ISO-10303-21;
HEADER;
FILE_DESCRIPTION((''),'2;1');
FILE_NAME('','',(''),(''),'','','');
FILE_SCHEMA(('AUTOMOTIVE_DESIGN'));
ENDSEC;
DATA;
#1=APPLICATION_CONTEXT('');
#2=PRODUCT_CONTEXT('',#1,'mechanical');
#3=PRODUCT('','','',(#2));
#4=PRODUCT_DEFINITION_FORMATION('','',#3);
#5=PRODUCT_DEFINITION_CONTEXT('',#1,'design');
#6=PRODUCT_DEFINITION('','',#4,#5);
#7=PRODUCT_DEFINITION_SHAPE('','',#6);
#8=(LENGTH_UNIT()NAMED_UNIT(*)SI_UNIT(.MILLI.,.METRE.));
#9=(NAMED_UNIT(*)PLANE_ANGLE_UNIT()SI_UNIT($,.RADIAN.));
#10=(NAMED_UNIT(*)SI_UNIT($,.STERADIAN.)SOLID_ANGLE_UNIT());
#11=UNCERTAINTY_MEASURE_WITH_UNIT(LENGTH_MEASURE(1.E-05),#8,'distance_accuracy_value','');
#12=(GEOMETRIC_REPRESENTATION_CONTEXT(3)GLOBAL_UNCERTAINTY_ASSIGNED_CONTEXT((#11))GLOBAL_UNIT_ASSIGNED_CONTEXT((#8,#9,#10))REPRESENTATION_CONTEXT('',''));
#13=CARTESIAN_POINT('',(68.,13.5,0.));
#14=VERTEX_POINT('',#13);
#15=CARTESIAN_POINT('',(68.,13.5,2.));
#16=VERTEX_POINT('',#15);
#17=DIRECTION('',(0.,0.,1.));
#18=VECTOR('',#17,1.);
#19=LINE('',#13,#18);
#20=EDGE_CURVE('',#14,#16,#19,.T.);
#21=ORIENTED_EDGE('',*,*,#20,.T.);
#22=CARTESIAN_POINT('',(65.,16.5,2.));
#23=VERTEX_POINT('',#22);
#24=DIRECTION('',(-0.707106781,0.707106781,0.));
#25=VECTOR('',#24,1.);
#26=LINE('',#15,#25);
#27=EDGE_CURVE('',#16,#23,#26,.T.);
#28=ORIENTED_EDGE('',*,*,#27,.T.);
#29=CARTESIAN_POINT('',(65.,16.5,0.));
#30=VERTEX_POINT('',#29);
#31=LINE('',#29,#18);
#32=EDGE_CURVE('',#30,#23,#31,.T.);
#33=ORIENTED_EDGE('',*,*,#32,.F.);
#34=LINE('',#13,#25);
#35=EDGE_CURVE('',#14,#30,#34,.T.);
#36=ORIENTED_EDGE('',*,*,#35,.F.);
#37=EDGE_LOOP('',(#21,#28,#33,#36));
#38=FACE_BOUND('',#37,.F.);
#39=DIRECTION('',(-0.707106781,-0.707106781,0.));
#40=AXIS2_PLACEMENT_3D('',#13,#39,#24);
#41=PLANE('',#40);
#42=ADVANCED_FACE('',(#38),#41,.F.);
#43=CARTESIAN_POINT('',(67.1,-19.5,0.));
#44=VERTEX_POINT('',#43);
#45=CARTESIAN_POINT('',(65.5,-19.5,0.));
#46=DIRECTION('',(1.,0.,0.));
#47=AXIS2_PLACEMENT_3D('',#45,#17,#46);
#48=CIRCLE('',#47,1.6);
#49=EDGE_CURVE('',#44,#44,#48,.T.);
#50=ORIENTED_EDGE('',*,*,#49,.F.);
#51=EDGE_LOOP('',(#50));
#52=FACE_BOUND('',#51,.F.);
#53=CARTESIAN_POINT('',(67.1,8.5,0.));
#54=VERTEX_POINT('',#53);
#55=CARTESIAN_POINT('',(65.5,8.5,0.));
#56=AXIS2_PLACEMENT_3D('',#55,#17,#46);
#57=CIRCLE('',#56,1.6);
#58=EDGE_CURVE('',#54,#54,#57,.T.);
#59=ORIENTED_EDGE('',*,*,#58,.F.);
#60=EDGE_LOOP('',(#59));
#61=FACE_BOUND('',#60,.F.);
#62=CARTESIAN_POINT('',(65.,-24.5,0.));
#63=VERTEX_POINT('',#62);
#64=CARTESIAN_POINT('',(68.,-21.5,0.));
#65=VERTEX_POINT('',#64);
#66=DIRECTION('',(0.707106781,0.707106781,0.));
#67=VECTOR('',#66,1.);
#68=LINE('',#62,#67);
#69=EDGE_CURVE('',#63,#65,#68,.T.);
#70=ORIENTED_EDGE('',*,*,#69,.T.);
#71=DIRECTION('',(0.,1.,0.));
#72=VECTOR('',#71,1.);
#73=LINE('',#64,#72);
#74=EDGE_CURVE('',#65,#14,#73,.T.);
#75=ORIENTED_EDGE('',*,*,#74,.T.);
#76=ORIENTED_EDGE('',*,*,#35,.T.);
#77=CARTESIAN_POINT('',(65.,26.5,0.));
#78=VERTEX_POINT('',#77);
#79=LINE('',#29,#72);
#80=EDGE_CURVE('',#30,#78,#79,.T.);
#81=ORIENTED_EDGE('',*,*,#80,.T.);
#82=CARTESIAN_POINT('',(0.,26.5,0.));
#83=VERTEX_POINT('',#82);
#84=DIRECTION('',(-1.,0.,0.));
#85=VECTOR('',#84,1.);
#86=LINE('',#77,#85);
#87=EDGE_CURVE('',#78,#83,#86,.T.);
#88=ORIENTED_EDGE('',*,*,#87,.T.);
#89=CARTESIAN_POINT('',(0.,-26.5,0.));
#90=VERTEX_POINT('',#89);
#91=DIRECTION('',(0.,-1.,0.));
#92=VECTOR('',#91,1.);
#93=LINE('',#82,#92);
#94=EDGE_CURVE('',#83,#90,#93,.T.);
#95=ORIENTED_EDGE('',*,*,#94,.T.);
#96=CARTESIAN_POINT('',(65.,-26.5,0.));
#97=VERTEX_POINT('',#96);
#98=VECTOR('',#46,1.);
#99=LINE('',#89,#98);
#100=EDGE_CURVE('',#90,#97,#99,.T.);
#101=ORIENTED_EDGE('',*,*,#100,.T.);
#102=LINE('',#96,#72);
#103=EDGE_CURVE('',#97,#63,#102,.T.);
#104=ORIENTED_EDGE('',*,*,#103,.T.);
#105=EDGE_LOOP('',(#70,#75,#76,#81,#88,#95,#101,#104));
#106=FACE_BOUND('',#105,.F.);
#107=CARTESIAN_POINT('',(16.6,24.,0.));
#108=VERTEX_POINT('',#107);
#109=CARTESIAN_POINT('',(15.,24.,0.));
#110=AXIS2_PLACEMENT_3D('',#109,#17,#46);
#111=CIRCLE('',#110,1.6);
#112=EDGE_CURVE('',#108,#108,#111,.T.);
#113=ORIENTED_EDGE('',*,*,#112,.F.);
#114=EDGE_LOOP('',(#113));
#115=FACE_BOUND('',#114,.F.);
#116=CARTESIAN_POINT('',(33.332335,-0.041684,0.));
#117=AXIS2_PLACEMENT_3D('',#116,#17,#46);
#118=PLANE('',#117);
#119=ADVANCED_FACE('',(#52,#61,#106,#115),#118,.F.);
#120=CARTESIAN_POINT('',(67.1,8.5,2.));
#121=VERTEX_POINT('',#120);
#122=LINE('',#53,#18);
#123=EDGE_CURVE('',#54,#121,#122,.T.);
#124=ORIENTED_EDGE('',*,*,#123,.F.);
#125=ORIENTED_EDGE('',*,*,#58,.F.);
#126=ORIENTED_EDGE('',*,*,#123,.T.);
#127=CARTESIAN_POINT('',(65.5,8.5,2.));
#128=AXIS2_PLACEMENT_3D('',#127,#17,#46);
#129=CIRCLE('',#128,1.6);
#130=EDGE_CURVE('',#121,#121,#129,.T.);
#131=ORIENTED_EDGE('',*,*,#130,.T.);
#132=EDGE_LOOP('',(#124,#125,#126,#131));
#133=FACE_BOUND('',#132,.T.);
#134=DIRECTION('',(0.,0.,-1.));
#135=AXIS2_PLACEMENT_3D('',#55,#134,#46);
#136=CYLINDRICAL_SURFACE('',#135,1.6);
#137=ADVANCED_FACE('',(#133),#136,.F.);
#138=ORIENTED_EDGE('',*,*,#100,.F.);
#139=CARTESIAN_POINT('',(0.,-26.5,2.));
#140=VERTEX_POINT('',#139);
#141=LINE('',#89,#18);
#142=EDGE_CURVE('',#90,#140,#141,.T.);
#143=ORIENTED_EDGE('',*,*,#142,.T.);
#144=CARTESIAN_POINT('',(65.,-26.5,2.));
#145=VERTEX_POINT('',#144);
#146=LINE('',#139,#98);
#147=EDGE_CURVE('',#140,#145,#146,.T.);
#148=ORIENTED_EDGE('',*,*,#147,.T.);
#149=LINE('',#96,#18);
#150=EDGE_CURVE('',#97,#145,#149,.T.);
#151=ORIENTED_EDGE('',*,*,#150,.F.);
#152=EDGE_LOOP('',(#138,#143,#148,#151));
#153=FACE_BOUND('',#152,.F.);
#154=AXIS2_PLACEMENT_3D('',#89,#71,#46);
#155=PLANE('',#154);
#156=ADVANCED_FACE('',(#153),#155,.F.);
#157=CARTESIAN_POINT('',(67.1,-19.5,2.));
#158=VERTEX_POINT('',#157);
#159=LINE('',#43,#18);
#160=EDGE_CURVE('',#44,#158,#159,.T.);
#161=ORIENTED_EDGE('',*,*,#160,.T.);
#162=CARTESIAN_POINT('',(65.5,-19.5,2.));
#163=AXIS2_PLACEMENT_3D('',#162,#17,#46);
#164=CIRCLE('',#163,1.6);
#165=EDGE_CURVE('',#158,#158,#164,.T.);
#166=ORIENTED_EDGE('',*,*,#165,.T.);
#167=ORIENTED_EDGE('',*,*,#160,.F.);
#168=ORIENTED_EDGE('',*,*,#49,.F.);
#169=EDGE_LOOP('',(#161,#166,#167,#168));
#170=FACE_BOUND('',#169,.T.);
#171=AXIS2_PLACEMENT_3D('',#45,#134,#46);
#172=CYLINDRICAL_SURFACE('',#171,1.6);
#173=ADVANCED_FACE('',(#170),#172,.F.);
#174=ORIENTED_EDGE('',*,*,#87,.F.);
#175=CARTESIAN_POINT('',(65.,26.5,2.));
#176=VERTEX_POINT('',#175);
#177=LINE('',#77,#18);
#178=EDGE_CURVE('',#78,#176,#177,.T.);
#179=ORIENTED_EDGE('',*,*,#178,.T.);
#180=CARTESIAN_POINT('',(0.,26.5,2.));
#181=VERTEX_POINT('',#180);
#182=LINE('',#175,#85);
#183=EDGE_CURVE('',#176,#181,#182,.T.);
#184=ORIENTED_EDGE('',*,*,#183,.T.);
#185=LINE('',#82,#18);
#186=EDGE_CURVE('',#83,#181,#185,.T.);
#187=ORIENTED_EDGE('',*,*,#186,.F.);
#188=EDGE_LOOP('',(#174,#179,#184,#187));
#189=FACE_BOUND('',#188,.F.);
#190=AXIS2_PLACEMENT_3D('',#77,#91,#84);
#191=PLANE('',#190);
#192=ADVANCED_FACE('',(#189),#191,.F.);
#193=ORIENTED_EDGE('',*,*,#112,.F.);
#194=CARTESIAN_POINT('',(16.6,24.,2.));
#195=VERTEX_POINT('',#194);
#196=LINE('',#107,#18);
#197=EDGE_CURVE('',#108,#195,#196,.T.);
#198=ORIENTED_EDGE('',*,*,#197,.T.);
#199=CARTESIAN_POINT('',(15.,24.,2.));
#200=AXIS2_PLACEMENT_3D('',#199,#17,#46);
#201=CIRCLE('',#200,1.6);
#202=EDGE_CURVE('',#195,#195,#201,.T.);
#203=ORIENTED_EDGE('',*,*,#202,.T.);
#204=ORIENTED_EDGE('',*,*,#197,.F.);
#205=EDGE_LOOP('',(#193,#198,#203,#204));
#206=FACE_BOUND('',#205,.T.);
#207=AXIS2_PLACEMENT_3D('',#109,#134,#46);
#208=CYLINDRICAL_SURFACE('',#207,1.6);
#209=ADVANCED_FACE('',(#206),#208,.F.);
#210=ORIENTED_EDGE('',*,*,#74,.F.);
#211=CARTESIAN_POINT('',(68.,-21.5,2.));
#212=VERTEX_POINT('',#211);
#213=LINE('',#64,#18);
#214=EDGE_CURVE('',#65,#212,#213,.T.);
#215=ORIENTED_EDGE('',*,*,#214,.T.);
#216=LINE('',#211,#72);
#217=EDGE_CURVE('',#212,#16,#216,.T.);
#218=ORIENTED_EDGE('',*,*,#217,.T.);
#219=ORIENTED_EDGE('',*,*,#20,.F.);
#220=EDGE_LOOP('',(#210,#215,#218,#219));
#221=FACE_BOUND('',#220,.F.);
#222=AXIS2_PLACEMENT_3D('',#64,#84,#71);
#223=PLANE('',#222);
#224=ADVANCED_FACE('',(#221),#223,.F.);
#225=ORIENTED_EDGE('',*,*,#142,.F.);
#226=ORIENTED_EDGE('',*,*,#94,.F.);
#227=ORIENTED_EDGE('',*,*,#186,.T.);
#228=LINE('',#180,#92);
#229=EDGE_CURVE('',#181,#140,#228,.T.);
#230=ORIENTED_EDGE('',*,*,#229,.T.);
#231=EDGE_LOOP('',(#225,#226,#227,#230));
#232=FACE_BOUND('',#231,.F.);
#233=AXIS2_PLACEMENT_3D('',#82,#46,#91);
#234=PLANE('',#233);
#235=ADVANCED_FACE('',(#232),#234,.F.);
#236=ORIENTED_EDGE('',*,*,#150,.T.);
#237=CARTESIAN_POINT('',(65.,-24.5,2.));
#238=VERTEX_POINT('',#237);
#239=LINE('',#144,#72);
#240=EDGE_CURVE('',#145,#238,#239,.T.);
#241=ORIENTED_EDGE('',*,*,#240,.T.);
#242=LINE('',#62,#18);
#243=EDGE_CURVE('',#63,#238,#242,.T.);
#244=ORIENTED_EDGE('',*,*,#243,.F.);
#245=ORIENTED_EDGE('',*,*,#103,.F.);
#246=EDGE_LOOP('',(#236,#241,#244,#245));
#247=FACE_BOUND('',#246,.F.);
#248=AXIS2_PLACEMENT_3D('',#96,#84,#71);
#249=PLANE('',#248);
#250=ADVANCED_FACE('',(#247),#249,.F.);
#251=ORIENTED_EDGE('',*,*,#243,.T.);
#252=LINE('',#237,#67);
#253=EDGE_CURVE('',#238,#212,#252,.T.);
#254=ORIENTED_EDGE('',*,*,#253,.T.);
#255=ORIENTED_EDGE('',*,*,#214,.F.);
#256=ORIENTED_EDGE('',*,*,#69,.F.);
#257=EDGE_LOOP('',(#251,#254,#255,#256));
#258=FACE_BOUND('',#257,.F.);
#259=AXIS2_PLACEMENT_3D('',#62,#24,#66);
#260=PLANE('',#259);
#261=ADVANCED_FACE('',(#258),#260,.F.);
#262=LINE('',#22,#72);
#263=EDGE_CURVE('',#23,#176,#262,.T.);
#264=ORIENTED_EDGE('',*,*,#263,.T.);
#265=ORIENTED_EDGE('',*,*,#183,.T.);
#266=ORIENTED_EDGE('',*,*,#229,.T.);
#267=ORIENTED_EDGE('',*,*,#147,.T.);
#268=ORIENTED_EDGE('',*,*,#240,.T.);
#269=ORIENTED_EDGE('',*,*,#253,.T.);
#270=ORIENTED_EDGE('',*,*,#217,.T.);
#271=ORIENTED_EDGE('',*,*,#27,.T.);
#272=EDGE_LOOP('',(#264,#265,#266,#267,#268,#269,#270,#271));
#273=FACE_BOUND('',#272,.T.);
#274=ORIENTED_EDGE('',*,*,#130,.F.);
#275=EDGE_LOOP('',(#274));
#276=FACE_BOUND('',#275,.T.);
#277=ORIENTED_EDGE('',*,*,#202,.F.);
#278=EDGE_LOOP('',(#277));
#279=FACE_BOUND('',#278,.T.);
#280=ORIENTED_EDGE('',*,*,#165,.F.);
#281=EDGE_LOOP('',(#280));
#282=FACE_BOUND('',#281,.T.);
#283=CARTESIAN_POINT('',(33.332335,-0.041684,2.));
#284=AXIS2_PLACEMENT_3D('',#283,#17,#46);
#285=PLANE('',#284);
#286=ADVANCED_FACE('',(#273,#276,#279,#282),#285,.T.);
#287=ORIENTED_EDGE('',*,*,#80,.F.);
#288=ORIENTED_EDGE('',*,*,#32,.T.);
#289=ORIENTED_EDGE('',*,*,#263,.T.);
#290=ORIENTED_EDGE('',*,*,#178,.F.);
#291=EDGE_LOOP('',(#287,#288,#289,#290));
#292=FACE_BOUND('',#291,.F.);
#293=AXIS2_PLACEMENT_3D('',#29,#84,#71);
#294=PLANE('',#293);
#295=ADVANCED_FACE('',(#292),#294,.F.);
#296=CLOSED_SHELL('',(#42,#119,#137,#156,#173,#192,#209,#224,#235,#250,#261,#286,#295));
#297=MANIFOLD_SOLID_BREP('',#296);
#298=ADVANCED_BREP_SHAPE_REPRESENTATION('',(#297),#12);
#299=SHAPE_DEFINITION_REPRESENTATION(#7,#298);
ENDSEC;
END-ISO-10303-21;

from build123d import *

# Parameters (mm, degrees)
F0_R     = 1.6
F1_DEPTH = 2


with BuildPart() as f1:
    # F0 (on Top) → F1 (new body)
    with BuildSketch(Plane.XY):
        Polygon((65, 26.5), (0, 26.5), (0, -26.5), (65, -26.5), (65, -24.5), (68, -21.5), (68, 13.5), (65, 16.5), align=None)
        with Locations((65.5, -19.5)):
            Circle(F0_R, mode=Mode.SUBTRACT)
        with Locations((15, 24)):
            Circle(F0_R, mode=Mode.SUBTRACT)
        with Locations((65.5, 8.5)):
            Circle(F0_R, mode=Mode.SUBTRACT)
    extrude(amount=F1_DEPTH)


solid = f1.part
